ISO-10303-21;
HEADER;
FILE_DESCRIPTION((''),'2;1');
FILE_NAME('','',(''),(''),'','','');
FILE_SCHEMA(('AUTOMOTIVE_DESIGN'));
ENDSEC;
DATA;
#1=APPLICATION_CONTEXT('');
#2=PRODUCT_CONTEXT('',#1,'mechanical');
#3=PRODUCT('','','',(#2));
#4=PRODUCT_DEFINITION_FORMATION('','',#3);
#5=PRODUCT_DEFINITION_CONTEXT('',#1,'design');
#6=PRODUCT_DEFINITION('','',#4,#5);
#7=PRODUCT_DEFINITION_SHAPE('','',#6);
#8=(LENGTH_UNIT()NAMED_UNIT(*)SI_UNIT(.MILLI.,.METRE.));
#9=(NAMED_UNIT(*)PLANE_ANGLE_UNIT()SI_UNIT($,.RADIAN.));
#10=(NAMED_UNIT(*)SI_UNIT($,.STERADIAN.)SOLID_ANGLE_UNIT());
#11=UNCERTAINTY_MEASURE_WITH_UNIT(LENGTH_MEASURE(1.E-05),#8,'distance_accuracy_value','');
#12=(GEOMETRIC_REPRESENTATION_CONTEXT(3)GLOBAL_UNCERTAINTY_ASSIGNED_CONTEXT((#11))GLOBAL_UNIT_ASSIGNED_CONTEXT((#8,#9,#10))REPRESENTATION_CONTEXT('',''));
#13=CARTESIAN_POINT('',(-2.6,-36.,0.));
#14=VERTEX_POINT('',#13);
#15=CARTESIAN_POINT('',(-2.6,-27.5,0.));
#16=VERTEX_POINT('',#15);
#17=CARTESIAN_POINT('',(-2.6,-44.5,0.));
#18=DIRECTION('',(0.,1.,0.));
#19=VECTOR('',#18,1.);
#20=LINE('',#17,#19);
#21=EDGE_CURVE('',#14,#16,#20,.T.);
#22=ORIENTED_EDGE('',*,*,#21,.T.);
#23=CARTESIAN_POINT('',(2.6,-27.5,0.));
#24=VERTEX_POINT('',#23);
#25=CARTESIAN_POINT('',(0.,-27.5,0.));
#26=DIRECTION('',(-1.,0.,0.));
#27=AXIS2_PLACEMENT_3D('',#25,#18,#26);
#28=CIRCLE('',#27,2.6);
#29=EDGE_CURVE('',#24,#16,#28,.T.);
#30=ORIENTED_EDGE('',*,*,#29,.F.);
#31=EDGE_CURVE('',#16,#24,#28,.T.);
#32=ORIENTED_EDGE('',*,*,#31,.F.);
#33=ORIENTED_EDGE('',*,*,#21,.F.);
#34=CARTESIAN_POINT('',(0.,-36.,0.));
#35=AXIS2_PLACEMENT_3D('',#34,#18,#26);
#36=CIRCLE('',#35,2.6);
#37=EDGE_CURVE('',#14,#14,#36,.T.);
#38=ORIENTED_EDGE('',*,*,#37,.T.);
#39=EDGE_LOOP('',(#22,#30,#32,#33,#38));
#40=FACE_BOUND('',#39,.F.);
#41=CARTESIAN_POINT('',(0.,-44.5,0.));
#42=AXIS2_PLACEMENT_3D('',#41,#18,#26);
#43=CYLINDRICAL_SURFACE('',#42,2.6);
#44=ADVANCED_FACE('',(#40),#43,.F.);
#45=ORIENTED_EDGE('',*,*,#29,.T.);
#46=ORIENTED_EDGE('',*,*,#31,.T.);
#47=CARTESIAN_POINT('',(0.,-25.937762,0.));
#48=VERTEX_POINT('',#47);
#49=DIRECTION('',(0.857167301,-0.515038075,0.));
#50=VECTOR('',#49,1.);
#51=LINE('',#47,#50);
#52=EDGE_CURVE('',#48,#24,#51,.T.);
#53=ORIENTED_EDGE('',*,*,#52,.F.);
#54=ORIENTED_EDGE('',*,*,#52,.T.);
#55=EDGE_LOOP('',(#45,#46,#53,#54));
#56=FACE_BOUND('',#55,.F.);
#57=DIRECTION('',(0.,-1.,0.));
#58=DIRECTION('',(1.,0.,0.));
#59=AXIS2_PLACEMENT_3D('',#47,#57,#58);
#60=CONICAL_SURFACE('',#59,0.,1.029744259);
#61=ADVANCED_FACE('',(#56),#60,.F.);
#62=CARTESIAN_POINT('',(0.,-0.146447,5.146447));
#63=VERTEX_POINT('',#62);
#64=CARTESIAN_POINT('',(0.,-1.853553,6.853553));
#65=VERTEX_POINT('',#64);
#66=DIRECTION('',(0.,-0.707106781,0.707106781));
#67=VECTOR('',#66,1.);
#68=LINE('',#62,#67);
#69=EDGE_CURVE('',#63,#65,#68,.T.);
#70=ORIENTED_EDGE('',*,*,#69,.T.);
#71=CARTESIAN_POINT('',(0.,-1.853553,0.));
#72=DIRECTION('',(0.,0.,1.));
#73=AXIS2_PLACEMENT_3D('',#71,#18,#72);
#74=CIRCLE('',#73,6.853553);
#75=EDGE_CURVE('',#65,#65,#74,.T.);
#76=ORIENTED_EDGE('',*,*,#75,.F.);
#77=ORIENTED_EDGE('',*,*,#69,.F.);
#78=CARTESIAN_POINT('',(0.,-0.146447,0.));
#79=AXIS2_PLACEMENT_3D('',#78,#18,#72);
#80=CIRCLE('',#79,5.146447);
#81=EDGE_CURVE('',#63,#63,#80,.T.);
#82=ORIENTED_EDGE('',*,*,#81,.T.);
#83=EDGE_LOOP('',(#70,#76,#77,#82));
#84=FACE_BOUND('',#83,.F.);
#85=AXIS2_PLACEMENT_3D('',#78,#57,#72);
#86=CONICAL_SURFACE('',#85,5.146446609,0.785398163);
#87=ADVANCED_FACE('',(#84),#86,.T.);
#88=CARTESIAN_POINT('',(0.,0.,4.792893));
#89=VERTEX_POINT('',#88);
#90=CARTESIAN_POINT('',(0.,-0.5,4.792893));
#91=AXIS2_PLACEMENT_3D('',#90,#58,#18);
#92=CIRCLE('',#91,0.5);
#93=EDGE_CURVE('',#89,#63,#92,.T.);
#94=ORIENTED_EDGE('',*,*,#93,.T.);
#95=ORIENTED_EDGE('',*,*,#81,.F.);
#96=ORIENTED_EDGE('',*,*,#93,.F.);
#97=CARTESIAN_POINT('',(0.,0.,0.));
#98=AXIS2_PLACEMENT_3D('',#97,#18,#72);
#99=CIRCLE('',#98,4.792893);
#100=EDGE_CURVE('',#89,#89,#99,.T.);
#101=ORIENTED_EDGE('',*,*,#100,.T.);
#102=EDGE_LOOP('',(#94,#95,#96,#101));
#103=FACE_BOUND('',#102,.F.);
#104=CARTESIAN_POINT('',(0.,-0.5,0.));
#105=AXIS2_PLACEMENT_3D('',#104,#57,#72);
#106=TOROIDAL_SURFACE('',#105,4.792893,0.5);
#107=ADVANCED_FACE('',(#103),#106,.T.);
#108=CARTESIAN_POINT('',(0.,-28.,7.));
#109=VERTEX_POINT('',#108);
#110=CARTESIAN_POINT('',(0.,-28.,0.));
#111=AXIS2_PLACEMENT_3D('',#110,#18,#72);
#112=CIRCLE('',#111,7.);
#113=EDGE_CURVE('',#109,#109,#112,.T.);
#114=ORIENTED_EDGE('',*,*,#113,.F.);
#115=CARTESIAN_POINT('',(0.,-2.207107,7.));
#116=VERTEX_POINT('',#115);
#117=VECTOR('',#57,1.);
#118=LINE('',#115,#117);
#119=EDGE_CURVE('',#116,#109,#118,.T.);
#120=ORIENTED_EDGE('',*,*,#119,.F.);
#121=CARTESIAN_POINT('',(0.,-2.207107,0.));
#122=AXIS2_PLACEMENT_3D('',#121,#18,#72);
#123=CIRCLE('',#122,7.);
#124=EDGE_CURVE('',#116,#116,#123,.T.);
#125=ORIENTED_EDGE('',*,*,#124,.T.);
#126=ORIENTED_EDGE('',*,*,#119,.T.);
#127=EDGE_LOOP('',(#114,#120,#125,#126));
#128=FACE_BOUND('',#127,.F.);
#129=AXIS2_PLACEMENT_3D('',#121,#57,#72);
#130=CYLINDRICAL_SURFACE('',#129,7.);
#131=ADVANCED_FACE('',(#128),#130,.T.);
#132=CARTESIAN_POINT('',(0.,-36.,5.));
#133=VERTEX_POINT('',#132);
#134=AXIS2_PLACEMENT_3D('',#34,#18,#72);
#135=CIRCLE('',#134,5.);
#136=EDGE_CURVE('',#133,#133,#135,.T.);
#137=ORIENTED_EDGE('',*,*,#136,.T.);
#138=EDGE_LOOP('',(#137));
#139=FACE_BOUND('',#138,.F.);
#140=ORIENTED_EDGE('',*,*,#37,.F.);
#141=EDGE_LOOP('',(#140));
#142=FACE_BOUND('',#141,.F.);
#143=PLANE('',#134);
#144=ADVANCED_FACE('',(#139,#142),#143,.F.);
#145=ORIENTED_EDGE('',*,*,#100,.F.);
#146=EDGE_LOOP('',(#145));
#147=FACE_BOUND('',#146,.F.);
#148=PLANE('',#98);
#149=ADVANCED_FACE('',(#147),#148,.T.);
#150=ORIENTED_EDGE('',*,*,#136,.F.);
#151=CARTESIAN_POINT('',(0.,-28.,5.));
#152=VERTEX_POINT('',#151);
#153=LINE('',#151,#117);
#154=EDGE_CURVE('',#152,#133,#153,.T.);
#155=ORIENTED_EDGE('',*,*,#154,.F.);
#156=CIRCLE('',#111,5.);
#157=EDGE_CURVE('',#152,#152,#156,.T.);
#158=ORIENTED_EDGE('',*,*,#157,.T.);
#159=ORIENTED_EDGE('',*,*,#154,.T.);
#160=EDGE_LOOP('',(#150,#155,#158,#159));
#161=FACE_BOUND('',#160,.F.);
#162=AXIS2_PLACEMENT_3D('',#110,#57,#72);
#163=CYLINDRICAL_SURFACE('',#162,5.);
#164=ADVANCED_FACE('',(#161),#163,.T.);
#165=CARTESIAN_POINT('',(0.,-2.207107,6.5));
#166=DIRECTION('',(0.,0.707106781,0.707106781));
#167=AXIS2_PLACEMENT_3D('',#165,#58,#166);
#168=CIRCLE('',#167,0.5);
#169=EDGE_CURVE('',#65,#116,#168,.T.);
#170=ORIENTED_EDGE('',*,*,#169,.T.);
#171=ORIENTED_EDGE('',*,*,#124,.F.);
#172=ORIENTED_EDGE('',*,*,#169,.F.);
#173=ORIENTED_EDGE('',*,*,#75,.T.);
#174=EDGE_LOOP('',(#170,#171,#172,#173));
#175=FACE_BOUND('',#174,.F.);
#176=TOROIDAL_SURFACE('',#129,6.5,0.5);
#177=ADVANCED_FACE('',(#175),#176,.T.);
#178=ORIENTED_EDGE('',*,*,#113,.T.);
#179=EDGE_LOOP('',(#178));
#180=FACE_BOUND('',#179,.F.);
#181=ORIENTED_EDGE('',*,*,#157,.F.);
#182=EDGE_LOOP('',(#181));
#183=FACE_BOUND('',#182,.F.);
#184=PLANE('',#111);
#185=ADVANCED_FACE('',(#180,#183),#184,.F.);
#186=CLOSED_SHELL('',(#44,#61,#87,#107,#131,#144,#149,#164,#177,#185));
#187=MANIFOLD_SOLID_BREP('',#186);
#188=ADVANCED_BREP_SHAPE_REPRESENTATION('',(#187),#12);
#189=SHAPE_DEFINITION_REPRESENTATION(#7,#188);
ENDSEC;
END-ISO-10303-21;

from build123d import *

# Parameters (mm, degrees)
F3_D     = 5.2
F3_DEPTH = 8.5
F3_TIP   = 1.5622376095


with BuildPart() as f1:
    # F0 (on Right) → F1 (revolve)
    with BuildSketch(Plane.YZ):
        with BuildLine():
            Line((-36, 5), (-36, 0))
            Line((-36, 0), (0, 0))
            Line((0, 0), (0, 4.7928932188))
            ThreePointArc((0, 4.7928932188), (-0.0380602337, 4.984234935), (-0.1464466094, 5.1464466094))
            Line((-0.1464466094, 5.1464466094), (-1.8535533906, 6.8535533906))
            ThreePointArc((-1.8535533906, 6.8535533906), (-2.015765065, 6.9619397663), (-2.2071067812, 7))
            Line((-2.2071067812, 7), (-28, 7))
            Line((-28, 7), (-28, 5))
            Line((-28, 5), (-36, 5))
        make_face()
    revolve(axis=Axis((0, -18, 0), (0, 1, 0)))

    # F3
    with Locations(Plane.XZ.offset(36)):
        with Locations((0, 0)):
            Hole(F3_D / 2, depth=F3_DEPTH)
            with Locations((0, 0, -(F3_DEPTH + F3_TIP / 2))):  # 118° drill point
                Cone(0, F3_D / 2, F3_TIP, mode=Mode.SUBTRACT)


solid = f1.part
